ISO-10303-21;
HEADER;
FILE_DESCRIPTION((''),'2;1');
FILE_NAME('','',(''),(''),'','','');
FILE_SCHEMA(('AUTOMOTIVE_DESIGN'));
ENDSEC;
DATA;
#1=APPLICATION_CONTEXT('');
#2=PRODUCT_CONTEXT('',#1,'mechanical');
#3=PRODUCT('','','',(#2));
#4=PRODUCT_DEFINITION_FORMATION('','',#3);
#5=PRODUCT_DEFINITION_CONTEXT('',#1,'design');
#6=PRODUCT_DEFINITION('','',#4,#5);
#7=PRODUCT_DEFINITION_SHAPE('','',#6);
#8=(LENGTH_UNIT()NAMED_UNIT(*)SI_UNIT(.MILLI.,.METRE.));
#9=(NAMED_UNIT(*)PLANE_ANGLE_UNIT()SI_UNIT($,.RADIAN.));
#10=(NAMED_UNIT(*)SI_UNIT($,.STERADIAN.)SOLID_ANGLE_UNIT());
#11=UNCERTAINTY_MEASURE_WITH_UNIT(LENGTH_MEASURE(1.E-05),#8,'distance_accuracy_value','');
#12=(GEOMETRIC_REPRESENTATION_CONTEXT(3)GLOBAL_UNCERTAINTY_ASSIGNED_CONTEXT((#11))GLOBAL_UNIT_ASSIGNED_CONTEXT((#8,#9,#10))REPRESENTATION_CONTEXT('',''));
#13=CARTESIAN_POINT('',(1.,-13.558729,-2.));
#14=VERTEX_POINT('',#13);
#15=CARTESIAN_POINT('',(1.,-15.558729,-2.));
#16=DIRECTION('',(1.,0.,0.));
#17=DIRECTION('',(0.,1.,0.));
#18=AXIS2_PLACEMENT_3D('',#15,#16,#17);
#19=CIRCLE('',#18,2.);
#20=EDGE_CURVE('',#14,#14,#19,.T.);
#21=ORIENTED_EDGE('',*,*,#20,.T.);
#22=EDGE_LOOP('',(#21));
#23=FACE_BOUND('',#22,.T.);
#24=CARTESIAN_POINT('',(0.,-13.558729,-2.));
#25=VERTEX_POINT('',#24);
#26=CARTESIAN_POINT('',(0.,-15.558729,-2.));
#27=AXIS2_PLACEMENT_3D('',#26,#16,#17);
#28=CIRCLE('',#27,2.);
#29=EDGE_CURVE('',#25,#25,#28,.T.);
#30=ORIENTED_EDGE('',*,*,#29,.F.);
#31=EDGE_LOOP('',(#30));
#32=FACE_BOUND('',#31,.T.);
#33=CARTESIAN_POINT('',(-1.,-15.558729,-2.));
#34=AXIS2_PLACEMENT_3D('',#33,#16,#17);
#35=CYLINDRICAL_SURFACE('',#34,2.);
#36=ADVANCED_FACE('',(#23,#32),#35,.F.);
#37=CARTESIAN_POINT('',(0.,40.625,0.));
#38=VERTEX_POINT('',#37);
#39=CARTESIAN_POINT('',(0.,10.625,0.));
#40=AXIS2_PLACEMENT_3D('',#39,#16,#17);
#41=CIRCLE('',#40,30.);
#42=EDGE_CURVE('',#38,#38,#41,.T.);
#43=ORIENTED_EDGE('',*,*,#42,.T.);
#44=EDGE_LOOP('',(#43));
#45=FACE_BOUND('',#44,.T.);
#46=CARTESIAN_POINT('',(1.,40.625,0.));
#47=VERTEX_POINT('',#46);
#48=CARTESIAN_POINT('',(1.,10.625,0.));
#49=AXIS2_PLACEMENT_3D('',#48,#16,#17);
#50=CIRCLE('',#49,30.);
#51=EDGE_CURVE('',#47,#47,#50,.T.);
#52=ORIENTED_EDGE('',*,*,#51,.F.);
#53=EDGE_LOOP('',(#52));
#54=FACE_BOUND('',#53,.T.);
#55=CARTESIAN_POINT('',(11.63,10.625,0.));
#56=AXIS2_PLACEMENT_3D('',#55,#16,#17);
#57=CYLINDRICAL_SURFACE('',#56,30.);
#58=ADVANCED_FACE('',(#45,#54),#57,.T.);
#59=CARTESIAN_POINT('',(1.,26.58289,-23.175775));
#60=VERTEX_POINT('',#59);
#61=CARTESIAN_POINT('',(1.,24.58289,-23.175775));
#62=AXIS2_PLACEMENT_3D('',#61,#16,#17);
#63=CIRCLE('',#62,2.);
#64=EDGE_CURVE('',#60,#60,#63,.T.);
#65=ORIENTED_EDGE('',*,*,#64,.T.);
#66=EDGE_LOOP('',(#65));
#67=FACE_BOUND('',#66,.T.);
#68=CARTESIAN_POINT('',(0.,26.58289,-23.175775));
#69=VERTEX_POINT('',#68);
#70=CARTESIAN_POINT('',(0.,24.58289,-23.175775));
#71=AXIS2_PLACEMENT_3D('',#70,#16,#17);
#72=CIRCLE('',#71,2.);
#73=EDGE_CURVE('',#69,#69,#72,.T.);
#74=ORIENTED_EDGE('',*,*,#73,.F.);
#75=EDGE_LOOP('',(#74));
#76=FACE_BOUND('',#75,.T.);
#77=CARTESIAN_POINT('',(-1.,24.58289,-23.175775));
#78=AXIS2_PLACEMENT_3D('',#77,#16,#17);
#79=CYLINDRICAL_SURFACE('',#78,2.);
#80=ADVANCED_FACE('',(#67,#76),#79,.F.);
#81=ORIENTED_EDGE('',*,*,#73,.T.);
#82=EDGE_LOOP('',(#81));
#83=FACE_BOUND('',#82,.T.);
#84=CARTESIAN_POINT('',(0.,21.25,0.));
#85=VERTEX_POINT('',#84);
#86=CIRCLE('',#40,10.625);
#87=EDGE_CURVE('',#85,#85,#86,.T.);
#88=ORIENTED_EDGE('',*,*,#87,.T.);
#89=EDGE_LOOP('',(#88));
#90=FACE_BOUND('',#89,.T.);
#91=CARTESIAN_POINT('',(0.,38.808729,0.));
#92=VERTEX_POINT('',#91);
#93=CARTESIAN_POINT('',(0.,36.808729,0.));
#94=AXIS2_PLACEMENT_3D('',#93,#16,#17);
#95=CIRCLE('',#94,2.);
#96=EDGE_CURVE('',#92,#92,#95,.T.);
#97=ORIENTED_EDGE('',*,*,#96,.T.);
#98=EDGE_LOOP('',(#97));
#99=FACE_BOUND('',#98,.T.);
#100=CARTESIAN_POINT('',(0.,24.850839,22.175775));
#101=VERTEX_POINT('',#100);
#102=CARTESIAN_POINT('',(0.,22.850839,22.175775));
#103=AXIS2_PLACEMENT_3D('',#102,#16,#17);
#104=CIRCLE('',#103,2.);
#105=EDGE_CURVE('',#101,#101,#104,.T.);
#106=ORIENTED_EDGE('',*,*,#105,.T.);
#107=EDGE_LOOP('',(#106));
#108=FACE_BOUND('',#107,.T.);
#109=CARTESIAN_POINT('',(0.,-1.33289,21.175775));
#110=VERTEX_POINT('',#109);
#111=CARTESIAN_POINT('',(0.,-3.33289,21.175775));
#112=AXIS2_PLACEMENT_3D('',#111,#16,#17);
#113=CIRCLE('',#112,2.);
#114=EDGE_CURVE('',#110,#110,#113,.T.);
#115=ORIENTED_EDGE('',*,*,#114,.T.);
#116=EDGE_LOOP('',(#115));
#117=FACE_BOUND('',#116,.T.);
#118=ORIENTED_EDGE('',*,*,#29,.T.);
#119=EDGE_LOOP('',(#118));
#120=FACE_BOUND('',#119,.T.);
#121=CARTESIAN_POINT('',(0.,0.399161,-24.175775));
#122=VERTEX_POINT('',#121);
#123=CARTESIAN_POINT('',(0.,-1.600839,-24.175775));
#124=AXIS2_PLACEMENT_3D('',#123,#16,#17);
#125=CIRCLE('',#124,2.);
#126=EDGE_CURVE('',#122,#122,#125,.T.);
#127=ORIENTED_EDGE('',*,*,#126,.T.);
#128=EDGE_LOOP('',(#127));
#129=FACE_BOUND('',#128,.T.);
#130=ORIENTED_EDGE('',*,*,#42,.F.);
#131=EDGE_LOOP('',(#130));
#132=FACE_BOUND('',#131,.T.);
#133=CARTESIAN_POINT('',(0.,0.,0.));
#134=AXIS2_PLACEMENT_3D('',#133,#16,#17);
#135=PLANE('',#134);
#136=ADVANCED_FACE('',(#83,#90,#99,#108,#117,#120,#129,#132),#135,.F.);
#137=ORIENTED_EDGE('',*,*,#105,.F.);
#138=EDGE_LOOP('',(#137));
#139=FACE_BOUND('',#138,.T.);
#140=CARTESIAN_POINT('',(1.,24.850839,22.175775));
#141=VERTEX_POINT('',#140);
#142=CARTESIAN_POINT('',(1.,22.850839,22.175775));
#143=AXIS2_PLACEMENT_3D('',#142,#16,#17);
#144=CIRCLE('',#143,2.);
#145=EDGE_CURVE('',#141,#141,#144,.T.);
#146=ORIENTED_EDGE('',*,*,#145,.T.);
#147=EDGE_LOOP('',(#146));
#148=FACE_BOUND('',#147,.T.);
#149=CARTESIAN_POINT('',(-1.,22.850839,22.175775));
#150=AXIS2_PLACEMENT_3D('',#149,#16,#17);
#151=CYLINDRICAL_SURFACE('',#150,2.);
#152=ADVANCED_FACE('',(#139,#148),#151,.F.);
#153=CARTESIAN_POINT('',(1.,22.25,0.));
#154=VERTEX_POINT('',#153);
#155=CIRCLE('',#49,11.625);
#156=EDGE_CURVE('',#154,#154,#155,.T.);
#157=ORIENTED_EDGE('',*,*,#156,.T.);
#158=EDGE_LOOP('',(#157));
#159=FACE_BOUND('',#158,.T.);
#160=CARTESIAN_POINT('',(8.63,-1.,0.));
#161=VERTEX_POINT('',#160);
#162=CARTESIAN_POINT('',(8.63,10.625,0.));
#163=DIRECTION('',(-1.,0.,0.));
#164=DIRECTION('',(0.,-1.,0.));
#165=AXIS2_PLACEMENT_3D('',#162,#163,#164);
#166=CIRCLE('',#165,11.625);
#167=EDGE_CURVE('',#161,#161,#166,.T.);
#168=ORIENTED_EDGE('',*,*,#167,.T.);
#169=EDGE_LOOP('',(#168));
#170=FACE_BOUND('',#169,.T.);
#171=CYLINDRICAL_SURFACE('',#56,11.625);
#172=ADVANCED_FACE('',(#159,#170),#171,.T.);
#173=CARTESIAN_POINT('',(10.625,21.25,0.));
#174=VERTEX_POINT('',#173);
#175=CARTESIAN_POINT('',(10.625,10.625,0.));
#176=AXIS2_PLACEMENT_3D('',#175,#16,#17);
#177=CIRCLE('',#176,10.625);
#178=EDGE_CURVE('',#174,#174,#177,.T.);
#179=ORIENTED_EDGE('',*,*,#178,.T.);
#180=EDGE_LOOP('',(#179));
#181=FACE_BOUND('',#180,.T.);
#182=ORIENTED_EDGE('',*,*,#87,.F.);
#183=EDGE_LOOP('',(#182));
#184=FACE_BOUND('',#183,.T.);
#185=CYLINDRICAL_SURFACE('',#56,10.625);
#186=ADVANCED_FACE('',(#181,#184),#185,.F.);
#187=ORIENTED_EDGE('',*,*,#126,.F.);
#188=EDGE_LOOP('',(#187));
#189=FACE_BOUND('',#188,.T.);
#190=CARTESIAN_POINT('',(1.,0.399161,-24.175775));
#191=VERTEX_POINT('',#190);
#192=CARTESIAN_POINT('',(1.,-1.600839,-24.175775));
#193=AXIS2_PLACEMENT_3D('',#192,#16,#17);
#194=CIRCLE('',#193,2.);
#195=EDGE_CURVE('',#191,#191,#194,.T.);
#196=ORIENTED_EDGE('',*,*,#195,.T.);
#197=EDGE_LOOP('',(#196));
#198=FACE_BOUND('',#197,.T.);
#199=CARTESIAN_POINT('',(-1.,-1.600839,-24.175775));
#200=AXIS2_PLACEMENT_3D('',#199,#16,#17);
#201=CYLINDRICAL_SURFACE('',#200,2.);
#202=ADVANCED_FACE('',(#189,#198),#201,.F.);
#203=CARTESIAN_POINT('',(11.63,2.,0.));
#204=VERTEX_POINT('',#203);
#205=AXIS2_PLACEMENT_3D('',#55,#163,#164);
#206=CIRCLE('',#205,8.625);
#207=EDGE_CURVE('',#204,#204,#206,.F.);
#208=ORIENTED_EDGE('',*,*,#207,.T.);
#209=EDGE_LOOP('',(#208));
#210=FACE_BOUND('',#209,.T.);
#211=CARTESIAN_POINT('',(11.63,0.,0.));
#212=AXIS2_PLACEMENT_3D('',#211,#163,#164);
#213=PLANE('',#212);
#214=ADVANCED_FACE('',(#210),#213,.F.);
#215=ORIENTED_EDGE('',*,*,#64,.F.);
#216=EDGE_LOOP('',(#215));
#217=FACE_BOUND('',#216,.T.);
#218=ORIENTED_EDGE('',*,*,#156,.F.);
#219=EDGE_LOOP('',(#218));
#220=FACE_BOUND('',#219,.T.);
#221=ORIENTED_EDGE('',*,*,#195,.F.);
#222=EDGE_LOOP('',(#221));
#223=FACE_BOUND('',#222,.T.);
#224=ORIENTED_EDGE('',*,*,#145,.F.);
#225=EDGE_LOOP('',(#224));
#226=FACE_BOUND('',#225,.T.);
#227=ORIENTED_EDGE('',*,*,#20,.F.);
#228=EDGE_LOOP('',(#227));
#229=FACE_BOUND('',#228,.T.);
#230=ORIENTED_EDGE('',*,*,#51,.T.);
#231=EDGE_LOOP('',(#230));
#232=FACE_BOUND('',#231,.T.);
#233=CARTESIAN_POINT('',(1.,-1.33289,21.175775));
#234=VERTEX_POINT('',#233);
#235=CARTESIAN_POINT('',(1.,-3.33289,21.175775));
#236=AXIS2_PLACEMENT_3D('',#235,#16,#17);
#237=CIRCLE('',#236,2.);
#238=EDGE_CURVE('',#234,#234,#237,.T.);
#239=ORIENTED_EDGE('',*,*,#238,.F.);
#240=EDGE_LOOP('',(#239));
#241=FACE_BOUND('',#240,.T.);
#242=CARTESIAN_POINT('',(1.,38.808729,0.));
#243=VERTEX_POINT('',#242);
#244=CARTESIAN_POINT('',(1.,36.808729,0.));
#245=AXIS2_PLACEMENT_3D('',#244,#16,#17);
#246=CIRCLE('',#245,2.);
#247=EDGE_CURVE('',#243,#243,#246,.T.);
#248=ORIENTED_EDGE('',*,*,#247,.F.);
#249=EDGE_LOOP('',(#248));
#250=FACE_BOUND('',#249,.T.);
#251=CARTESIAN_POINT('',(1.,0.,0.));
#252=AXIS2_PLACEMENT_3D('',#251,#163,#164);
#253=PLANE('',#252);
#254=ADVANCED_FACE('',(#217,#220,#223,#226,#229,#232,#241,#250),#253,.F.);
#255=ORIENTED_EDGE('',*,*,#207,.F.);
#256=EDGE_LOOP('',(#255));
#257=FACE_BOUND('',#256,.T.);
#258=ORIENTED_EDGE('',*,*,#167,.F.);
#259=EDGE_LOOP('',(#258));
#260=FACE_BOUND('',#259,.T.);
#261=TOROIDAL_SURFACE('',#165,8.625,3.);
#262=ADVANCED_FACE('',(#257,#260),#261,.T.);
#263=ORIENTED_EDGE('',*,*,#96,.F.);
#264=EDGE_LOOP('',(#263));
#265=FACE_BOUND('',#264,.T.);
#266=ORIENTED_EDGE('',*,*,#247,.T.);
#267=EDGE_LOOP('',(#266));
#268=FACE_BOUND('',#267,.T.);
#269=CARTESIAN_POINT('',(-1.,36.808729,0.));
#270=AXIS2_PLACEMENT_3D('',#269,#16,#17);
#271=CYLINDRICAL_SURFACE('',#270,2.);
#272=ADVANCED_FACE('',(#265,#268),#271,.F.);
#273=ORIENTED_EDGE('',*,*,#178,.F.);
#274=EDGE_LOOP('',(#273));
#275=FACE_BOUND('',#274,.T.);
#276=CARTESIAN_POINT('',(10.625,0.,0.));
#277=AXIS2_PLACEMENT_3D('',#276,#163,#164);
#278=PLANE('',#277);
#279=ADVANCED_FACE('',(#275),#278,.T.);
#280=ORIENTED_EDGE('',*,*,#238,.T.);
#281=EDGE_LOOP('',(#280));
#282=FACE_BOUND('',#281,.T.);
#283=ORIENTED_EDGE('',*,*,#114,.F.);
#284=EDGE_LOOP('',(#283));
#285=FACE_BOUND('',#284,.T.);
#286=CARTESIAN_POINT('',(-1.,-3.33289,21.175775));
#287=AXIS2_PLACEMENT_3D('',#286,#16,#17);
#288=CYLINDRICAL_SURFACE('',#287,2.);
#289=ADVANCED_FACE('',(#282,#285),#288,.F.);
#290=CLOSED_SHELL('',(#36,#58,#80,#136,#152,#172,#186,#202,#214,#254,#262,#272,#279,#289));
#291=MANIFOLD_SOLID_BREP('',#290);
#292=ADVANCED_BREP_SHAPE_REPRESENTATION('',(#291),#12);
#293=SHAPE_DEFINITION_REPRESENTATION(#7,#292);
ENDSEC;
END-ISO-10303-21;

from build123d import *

# Parameters (mm, degrees)
FILLET1_R          = 3
SKETCH2_R          = 2
CUT_EXTRUDE1_DEPTH = 2


with BuildPart() as part:
    # Sketch1 → Revolve1 (revolve)
    with BuildSketch(Plane.XY):
        Polygon((0, 40.625), (0, 21.25), (10.625, 21.25), (10.625, 10.625), (11.63, 10.625), (11.63, 22.25), (1, 22.25), (1, 29.25), (1, 35.625), (1, 40.625), align=None)
    revolve(axis=Axis((11.63, 10.625, 0), (-1, 0, 0)))

    # Fillet1
    fillet1_edges = [part.edges().sort_by_distance(p)[0] for p in [
        (11.63, -1, 0),
    ]]
    fillet(fillet1_edges, radius=FILLET1_R)

    # Sketch2 → Cut-Extrude1 (cut)
    with BuildSketch(Plane(origin=(1, 0, 0), x_dir=(0, 0, -1), z_dir=(1, 0, 0))):
        with Locations(Location((0, 36.80872946, 0), (0, 0, 90))):
            Circle(SKETCH2_R)
        with Locations(Location((23.175774878, 24.582890134, 0), (0, 0, 90))):
            Circle(SKETCH2_R)
        with Locations(Location((24.175774878, -1.600839326, 0), (0, 0, 90))):
            Circle(SKETCH2_R)
        with Locations(Location((2, -15.55872946, 0), (0, 0, 90))):
            Circle(SKETCH2_R)
        with Locations(Location((-21.175774878, -3.332890134, 0), (0, 0, 90))):
            Circle(SKETCH2_R)
        with Locations(Location((-22.175774878, 22.850839326, 0), (0, 0, 90))):
            Circle(SKETCH2_R)
    extrude(amount=-CUT_EXTRUDE1_DEPTH, mode=Mode.SUBTRACT)


solid = part.part
